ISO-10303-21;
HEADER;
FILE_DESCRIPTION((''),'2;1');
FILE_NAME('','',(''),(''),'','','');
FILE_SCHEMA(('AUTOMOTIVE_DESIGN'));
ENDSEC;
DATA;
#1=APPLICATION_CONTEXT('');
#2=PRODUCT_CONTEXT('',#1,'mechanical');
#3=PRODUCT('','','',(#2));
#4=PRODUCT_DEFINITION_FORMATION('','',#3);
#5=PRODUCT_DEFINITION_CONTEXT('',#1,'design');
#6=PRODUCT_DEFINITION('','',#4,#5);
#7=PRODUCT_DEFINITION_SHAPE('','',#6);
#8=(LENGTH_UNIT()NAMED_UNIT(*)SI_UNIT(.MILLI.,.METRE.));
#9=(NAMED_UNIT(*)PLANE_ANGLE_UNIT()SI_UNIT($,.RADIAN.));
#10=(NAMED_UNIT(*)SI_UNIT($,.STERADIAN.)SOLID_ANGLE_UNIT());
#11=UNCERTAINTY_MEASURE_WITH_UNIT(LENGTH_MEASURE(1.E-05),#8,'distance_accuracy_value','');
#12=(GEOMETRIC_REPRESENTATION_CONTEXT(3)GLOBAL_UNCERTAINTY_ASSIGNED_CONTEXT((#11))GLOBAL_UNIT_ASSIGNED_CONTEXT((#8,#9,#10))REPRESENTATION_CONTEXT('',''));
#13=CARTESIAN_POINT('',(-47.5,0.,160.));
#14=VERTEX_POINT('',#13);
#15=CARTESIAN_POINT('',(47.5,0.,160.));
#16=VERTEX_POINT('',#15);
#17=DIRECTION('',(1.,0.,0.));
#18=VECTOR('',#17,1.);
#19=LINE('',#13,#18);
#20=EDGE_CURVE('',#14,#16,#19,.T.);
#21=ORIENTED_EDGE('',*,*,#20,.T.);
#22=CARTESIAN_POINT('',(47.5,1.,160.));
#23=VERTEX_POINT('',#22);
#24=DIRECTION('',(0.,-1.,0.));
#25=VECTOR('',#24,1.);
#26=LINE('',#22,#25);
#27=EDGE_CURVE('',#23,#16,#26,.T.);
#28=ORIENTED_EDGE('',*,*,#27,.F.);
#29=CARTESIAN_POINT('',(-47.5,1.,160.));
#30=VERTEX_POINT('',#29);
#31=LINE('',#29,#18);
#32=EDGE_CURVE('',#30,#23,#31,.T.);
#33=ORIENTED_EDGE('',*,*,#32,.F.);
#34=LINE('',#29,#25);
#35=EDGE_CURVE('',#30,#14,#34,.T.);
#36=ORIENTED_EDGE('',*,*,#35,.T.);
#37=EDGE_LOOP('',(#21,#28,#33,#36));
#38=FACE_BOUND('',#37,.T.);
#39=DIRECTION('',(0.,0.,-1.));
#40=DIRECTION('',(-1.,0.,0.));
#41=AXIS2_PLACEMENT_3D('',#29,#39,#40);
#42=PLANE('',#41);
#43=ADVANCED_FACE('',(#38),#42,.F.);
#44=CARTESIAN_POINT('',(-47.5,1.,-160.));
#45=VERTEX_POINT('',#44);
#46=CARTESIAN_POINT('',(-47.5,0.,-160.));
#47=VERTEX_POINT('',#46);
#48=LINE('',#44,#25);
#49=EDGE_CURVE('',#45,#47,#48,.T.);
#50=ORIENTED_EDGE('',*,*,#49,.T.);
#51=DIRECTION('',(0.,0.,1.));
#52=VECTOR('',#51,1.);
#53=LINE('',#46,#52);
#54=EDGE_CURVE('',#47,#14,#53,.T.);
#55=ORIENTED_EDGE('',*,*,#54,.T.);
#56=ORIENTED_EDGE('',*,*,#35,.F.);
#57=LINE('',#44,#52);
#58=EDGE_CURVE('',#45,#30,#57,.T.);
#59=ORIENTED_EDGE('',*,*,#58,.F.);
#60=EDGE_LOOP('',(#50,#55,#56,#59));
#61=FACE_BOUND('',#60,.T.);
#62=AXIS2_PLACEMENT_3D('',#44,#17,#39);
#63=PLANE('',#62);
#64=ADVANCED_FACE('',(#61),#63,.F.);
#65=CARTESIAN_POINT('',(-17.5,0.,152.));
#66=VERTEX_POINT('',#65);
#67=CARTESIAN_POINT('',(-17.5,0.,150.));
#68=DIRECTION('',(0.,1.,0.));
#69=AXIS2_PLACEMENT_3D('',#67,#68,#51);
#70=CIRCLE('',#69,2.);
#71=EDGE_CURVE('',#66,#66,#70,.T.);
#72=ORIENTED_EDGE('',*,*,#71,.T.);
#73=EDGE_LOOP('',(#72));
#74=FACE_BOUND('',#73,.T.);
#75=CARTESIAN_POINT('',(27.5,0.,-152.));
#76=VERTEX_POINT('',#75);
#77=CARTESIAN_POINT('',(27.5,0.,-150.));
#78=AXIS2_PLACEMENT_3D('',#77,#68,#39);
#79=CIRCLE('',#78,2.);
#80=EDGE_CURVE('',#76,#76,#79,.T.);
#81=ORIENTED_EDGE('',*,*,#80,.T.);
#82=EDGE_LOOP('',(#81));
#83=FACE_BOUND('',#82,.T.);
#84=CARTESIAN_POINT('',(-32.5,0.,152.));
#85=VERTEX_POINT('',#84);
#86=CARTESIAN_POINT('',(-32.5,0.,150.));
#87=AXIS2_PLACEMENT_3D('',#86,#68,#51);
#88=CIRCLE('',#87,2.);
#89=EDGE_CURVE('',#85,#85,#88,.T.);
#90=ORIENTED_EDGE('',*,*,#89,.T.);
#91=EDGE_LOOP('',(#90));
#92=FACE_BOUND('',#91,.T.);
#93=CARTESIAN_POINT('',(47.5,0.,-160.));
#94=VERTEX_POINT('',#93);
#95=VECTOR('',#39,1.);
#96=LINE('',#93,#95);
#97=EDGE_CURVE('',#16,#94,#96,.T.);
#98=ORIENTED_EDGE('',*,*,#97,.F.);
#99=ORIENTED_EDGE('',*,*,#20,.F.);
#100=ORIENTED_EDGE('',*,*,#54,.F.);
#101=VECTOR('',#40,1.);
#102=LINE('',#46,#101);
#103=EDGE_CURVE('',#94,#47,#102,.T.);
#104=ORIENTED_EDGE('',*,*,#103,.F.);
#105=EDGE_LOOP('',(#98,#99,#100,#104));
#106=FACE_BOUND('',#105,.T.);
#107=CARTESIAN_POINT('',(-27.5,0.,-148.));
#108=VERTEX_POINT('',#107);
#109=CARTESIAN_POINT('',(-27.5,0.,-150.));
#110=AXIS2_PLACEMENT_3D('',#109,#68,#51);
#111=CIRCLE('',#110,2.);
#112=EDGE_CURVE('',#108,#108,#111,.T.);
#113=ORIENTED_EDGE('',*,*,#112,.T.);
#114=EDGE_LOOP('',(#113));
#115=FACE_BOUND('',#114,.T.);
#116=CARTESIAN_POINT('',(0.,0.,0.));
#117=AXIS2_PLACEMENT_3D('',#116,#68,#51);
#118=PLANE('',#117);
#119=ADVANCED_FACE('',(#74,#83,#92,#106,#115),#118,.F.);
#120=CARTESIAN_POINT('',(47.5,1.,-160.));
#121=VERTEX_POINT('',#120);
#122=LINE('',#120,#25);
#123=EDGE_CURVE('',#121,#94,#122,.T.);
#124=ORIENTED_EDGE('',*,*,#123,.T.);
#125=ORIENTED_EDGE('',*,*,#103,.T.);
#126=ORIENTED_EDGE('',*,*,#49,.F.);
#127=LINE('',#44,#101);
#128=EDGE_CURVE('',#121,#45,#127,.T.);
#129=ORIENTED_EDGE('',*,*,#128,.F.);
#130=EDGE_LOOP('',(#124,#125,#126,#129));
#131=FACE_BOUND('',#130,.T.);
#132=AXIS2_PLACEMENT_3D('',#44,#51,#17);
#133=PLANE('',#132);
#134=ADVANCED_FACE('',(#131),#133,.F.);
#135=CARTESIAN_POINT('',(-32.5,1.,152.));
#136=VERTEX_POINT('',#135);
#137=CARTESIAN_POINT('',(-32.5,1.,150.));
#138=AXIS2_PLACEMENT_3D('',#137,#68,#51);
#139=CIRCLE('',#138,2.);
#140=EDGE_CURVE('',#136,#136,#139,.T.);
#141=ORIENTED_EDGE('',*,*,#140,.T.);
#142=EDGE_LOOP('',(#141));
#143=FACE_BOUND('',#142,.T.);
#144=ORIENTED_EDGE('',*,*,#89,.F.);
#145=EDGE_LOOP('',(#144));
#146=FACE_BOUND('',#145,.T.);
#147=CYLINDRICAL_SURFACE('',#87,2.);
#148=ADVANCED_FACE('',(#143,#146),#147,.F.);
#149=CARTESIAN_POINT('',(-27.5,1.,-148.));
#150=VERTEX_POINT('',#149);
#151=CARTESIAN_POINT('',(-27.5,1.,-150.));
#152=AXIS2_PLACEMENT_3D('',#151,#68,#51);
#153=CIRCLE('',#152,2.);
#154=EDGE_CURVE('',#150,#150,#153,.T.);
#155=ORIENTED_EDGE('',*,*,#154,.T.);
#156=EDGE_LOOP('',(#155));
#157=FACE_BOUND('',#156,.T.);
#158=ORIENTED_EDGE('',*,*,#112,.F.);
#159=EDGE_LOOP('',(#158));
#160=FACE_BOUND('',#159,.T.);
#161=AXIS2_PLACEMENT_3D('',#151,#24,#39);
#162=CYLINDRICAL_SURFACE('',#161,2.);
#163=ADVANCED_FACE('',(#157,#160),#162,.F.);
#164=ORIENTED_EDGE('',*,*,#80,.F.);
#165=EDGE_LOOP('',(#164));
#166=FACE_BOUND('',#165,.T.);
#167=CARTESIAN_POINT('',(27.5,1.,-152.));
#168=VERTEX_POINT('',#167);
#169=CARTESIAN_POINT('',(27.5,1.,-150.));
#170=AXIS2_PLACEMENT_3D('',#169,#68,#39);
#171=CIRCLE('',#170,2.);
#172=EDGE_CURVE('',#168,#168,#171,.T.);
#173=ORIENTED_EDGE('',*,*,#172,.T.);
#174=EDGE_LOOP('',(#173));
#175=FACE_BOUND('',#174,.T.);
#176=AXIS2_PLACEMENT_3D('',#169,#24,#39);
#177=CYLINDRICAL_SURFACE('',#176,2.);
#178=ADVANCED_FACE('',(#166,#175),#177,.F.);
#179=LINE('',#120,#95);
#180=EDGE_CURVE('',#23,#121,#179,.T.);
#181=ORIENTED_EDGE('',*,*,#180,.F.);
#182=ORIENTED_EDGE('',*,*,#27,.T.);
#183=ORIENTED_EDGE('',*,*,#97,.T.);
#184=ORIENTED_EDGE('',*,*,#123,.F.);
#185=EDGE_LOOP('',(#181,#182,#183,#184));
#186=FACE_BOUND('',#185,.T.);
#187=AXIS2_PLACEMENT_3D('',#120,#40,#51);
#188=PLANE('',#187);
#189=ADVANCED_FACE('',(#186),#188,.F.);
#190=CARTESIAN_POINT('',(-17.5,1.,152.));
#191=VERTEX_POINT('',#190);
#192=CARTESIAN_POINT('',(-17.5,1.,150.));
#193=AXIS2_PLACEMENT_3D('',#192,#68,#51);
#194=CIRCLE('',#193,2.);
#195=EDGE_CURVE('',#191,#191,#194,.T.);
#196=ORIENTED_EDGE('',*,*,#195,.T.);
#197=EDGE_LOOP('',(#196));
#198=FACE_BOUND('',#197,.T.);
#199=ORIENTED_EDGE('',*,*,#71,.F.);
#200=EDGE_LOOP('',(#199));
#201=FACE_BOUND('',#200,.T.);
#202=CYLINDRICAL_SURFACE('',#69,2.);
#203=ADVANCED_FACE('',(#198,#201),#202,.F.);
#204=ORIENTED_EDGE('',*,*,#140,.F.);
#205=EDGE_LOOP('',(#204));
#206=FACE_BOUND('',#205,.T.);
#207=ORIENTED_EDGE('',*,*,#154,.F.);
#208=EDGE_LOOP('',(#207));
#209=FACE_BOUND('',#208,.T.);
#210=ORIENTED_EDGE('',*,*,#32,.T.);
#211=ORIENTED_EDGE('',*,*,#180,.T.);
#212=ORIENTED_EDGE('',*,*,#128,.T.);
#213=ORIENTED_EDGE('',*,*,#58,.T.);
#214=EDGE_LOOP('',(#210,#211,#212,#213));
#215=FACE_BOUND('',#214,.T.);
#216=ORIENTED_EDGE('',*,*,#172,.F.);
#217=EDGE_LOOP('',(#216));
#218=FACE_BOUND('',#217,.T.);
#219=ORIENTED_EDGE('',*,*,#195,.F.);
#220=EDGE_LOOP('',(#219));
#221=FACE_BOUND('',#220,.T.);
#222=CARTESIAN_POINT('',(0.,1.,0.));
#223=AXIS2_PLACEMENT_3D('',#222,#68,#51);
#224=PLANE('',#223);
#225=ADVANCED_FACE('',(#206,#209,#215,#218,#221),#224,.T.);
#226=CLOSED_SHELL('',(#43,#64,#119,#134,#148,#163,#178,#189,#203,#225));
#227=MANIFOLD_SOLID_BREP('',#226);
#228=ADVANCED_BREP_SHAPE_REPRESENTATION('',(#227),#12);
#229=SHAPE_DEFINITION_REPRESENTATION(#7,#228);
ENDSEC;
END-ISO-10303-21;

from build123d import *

# Parameters (mm, degrees)
SKETCH1_W               = 95
SKETCH1_H               = 320
SKETCH1_R               = 2
BOSS_EXTRUDE1_DEPTH     = 1
SKETCH2_R               = 2
CUT_EXTRUDE1_DEPTH      = 1
CUT_EXTRUDE1_DEPTH_BACK = 2


with BuildPart() as part:
    # Sketch1 → Boss-Extrude1 (new body)
    with BuildSketch(Plane(origin=(0, 0, 0), x_dir=(1, 0, 0), z_dir=(0, 1, 0))):
        Rectangle(SKETCH1_W, SKETCH1_H)
        with Locations((-27.5, 150)):
            Circle(SKETCH1_R, mode=Mode.SUBTRACT)
        with Locations((27.5, 150)):
            Circle(SKETCH1_R, mode=Mode.SUBTRACT)
    extrude(amount=BOSS_EXTRUDE1_DEPTH)

    # Sketch2 → Cut-Extrude1 (cut, two sides)
    with BuildSketch(Plane(origin=(0, 1, 0), x_dir=(1, 0, 0), z_dir=(0, 1, 0))) as cut_extrude1_sk:
        with Locations((-32.5, -150)):
            Circle(SKETCH2_R)
        with Locations((-17.5, -150)):
            Circle(SKETCH2_R)
    extrude(amount=CUT_EXTRUDE1_DEPTH, mode=Mode.SUBTRACT)
    extrude(cut_extrude1_sk.sketch, amount=-CUT_EXTRUDE1_DEPTH_BACK, mode=Mode.SUBTRACT)


solid = part.part
